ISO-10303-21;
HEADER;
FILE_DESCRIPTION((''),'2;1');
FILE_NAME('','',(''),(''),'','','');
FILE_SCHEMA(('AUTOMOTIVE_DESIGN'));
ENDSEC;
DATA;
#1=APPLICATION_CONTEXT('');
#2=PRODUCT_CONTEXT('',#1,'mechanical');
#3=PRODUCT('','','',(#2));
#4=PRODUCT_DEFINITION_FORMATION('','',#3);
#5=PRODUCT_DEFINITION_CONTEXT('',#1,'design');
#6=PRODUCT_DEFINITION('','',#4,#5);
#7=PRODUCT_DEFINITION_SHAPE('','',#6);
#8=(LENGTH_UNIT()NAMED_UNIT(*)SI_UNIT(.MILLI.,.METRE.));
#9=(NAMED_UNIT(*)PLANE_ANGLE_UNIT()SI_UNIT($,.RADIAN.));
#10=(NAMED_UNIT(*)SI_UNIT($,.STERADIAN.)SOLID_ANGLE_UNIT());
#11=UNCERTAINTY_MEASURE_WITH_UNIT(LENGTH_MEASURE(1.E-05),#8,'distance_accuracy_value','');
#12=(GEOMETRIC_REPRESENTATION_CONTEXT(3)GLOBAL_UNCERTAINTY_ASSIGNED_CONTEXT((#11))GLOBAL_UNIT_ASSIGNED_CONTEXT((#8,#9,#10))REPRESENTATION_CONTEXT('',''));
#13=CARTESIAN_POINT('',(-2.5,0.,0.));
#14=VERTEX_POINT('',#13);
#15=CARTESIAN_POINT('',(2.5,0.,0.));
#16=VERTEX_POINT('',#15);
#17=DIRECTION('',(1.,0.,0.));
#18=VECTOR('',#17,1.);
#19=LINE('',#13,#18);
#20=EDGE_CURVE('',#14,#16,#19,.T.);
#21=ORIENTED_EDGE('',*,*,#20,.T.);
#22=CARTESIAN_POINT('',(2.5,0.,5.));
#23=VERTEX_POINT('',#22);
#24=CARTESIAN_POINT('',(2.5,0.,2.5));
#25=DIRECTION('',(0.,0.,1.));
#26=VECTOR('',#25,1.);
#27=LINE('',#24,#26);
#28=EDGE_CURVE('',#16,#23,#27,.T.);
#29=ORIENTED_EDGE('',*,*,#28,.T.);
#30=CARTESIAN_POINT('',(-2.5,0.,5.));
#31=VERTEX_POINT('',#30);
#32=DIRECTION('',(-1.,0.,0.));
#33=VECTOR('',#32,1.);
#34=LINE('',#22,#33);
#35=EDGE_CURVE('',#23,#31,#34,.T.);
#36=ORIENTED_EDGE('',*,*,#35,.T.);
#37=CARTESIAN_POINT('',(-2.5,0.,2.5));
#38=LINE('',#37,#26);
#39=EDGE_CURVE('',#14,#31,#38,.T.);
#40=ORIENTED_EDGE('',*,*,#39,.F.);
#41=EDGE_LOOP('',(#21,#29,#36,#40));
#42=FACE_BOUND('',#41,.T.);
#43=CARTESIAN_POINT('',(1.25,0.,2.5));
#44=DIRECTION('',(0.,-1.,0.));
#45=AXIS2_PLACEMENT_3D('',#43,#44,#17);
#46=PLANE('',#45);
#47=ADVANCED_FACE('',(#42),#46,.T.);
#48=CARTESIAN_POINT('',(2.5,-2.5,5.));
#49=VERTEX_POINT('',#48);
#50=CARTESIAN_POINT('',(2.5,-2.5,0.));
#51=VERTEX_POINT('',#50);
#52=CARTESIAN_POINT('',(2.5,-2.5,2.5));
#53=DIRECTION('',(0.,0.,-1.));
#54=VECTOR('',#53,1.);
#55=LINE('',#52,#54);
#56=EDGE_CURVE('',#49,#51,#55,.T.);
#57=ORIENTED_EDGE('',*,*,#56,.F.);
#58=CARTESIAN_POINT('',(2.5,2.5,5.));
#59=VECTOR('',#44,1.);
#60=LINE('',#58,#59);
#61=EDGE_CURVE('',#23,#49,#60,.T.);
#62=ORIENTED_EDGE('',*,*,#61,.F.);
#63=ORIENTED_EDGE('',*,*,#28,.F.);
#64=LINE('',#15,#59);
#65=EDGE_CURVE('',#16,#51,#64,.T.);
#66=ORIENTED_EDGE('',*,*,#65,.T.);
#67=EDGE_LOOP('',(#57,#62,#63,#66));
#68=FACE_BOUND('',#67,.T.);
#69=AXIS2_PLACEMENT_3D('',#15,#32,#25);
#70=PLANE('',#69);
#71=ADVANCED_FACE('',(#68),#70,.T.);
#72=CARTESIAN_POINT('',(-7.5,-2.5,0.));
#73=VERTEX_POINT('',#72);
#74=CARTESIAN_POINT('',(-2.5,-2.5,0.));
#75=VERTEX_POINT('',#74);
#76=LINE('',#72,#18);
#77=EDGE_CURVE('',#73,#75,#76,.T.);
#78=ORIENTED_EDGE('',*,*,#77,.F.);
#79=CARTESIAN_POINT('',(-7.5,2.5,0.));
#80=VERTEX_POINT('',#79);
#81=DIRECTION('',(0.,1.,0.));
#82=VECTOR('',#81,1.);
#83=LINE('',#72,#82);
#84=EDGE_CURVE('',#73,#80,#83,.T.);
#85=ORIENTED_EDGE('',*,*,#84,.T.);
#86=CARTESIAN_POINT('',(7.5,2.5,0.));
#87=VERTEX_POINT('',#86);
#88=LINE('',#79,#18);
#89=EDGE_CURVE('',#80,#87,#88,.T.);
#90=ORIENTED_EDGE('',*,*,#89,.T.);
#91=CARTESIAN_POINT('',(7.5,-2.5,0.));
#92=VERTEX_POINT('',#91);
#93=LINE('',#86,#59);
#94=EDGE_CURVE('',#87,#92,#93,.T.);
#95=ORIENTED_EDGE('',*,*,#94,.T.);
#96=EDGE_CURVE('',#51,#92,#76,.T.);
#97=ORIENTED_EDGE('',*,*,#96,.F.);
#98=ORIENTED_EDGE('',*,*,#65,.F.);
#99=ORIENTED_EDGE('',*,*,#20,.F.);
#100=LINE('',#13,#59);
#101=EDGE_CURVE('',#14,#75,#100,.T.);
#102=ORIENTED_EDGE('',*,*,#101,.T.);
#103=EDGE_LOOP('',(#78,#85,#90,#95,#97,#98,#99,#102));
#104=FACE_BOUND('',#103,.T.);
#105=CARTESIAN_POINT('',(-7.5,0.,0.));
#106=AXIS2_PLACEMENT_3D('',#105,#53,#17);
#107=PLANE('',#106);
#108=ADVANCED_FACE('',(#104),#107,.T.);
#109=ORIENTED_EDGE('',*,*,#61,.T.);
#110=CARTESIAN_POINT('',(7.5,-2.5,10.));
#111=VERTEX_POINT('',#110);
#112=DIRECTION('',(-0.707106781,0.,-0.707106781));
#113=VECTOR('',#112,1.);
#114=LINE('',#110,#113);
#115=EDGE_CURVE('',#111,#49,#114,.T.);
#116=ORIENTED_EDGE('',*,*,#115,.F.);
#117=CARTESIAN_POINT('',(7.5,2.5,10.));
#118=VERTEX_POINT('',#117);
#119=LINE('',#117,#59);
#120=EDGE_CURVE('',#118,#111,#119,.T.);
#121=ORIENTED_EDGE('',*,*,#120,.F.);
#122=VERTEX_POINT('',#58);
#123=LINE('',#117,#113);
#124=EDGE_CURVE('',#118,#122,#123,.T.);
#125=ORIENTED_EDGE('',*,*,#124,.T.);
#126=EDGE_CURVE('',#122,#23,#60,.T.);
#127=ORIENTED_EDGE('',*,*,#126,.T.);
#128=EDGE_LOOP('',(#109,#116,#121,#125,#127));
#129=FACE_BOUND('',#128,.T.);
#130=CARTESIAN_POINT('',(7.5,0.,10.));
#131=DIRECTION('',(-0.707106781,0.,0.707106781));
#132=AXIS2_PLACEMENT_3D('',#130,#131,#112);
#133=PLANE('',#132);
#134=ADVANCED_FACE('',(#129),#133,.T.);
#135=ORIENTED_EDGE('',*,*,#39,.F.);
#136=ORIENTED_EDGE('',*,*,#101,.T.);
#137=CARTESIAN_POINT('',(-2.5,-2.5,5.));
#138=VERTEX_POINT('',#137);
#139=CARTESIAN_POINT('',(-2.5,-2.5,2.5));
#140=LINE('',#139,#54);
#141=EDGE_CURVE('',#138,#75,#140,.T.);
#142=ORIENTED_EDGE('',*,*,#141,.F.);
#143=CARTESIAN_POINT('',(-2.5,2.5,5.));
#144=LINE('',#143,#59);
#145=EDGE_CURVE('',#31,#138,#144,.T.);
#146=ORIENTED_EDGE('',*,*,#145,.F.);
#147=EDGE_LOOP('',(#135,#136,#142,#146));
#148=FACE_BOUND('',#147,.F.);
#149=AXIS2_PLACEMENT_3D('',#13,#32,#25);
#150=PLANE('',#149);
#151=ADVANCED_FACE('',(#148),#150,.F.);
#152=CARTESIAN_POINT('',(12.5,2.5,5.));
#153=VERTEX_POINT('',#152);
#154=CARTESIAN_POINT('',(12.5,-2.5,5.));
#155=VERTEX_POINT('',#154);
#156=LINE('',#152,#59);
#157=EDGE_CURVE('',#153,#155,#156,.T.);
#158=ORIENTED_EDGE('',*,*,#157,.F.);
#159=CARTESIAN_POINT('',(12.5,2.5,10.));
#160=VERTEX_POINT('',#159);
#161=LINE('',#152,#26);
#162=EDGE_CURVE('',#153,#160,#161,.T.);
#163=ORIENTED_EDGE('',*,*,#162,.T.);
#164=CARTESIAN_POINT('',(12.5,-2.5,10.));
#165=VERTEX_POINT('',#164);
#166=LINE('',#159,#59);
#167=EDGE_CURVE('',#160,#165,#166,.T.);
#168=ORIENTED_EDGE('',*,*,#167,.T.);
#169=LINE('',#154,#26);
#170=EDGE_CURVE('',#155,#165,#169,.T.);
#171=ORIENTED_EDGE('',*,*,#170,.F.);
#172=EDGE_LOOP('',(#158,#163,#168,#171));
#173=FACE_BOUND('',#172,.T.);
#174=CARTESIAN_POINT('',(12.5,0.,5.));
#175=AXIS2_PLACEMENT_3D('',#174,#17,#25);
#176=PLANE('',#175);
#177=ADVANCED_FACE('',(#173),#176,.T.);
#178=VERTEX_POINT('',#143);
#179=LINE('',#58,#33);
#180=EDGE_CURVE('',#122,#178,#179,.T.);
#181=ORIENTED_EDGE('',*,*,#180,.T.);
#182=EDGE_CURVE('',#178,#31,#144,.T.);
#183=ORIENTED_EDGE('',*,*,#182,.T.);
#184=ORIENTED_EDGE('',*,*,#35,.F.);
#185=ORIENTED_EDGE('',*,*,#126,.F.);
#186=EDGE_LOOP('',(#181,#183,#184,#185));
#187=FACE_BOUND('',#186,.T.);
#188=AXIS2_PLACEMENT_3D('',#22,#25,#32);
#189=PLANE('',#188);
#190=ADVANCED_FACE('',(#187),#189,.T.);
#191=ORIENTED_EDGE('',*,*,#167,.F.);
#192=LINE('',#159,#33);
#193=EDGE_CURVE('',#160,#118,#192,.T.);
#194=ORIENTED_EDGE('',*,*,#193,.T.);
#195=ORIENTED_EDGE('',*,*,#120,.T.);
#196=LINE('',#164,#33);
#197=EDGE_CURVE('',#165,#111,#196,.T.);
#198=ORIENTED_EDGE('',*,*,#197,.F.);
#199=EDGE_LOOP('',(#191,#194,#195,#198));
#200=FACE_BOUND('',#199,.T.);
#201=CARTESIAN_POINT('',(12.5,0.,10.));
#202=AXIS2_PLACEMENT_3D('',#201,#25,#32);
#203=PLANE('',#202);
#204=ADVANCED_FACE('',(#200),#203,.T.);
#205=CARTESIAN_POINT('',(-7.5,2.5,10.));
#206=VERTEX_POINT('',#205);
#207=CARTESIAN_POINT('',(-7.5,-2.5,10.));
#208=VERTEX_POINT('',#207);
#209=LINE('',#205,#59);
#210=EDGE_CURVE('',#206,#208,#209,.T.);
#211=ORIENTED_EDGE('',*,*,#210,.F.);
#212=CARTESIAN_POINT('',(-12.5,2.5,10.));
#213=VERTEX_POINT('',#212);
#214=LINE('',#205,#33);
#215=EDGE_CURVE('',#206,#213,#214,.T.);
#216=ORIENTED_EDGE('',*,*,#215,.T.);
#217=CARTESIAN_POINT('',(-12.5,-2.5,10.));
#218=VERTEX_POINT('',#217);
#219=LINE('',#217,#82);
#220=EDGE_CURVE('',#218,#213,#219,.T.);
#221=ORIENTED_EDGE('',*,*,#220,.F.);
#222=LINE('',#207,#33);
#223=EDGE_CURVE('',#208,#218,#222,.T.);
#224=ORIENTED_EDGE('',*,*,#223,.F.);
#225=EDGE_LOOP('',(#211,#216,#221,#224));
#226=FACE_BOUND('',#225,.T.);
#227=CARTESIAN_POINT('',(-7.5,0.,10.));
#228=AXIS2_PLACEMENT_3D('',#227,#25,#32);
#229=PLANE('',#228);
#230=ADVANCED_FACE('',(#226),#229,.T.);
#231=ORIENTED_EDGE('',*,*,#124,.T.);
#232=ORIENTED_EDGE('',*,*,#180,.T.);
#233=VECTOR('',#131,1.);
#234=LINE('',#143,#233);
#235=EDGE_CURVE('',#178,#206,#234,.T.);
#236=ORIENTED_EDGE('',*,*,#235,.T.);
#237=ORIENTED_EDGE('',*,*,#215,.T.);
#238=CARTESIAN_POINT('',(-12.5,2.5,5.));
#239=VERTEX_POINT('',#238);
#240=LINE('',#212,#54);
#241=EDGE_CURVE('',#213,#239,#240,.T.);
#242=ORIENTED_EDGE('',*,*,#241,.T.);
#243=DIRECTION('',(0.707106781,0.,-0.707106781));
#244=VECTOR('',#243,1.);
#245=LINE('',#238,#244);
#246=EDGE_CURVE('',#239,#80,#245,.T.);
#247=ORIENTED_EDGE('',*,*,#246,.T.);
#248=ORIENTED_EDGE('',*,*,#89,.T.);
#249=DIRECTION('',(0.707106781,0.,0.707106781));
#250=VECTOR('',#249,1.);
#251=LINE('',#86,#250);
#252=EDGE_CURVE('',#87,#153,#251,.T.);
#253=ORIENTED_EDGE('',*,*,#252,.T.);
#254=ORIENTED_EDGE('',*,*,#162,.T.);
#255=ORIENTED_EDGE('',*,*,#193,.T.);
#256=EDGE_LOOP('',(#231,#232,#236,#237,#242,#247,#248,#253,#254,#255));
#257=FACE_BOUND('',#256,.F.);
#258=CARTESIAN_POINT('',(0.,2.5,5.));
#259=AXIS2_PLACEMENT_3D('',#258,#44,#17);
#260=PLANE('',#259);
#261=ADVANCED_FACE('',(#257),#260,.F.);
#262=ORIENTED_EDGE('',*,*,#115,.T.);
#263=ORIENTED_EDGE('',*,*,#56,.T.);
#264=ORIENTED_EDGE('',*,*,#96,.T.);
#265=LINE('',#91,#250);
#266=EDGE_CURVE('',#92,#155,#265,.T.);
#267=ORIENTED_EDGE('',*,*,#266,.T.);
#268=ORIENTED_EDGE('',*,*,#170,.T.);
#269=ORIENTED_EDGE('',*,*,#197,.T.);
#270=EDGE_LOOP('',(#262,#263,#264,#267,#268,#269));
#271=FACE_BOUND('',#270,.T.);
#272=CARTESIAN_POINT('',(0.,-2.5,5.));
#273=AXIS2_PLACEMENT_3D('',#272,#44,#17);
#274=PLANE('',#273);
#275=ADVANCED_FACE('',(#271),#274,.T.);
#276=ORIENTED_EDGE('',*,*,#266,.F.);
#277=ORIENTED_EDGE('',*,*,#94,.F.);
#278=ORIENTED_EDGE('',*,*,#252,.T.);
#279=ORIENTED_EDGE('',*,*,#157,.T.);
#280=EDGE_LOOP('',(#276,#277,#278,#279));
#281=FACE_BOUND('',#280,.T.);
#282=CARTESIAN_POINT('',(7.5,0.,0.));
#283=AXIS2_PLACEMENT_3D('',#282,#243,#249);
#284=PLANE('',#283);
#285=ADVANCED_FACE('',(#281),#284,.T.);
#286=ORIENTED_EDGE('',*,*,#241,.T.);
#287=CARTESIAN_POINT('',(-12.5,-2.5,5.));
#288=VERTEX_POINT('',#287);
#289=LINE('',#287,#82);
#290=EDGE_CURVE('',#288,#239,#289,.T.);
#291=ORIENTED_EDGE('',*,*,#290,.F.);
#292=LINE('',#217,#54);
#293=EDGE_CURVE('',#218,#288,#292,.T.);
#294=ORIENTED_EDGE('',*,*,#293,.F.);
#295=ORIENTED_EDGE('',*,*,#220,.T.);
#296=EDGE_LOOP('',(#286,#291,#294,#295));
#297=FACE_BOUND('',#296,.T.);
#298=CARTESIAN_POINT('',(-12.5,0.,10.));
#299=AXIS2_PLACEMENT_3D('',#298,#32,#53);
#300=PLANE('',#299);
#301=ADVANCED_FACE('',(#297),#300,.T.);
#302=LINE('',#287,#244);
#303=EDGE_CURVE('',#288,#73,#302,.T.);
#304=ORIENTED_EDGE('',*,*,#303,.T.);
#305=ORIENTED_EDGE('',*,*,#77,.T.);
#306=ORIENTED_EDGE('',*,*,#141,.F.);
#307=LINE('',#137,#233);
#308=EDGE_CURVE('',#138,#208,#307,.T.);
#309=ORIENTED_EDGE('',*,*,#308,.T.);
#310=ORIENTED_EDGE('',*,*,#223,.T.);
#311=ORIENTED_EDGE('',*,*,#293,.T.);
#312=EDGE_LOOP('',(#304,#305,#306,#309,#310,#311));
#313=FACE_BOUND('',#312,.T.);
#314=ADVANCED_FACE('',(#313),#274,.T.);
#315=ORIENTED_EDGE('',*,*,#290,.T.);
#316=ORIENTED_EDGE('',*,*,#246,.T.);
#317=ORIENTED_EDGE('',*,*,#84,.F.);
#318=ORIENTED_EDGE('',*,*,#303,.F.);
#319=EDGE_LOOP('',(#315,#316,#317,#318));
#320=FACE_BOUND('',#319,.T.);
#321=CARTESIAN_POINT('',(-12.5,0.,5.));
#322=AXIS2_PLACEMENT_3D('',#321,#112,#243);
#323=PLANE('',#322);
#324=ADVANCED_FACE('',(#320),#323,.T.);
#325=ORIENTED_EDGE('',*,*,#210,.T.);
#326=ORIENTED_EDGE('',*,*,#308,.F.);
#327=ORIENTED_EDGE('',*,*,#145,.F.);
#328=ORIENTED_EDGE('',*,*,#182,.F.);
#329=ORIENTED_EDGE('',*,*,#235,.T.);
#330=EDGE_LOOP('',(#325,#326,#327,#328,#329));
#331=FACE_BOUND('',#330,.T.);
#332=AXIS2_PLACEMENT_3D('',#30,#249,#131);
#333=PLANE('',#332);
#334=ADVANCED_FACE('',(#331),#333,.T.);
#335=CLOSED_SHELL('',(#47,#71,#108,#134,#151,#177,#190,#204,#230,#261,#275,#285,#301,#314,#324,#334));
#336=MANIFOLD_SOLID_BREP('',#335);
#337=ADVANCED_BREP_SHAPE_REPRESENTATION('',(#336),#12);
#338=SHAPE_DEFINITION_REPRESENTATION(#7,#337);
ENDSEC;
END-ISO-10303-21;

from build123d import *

# Parameters (mm, degrees)
F1_DEPTH = 2.5
F2_W     = 2.5
F2_H     = 5
F3_DEPTH = 10


with BuildPart() as f1:
    # F0 (on Front) → F1 (new body, symmetric)
    with BuildSketch(Plane.XZ):
        Polygon((-7.5, 0), (0, 0), (7.5, 0), (12.5, 5), (12.5, 10), (7.5, 10), (2.5, 5), (0, 5), (-2.5, 5), (-7.5, 10), (-12.5, 10), (-12.5, 5), align=None)
    extrude(amount=F1_DEPTH, both=True)

    # F2 (on Front) → F3 (cut)
    with BuildSketch(Plane.XZ):
        with Locations((1.25, 2.5)):
            Rectangle(F2_W, F2_H)
        with Locations((-1.25, 2.5)):
            Rectangle(F2_W, F2_H)
    extrude(amount=F3_DEPTH, mode=Mode.SUBTRACT)


solid = f1.part
